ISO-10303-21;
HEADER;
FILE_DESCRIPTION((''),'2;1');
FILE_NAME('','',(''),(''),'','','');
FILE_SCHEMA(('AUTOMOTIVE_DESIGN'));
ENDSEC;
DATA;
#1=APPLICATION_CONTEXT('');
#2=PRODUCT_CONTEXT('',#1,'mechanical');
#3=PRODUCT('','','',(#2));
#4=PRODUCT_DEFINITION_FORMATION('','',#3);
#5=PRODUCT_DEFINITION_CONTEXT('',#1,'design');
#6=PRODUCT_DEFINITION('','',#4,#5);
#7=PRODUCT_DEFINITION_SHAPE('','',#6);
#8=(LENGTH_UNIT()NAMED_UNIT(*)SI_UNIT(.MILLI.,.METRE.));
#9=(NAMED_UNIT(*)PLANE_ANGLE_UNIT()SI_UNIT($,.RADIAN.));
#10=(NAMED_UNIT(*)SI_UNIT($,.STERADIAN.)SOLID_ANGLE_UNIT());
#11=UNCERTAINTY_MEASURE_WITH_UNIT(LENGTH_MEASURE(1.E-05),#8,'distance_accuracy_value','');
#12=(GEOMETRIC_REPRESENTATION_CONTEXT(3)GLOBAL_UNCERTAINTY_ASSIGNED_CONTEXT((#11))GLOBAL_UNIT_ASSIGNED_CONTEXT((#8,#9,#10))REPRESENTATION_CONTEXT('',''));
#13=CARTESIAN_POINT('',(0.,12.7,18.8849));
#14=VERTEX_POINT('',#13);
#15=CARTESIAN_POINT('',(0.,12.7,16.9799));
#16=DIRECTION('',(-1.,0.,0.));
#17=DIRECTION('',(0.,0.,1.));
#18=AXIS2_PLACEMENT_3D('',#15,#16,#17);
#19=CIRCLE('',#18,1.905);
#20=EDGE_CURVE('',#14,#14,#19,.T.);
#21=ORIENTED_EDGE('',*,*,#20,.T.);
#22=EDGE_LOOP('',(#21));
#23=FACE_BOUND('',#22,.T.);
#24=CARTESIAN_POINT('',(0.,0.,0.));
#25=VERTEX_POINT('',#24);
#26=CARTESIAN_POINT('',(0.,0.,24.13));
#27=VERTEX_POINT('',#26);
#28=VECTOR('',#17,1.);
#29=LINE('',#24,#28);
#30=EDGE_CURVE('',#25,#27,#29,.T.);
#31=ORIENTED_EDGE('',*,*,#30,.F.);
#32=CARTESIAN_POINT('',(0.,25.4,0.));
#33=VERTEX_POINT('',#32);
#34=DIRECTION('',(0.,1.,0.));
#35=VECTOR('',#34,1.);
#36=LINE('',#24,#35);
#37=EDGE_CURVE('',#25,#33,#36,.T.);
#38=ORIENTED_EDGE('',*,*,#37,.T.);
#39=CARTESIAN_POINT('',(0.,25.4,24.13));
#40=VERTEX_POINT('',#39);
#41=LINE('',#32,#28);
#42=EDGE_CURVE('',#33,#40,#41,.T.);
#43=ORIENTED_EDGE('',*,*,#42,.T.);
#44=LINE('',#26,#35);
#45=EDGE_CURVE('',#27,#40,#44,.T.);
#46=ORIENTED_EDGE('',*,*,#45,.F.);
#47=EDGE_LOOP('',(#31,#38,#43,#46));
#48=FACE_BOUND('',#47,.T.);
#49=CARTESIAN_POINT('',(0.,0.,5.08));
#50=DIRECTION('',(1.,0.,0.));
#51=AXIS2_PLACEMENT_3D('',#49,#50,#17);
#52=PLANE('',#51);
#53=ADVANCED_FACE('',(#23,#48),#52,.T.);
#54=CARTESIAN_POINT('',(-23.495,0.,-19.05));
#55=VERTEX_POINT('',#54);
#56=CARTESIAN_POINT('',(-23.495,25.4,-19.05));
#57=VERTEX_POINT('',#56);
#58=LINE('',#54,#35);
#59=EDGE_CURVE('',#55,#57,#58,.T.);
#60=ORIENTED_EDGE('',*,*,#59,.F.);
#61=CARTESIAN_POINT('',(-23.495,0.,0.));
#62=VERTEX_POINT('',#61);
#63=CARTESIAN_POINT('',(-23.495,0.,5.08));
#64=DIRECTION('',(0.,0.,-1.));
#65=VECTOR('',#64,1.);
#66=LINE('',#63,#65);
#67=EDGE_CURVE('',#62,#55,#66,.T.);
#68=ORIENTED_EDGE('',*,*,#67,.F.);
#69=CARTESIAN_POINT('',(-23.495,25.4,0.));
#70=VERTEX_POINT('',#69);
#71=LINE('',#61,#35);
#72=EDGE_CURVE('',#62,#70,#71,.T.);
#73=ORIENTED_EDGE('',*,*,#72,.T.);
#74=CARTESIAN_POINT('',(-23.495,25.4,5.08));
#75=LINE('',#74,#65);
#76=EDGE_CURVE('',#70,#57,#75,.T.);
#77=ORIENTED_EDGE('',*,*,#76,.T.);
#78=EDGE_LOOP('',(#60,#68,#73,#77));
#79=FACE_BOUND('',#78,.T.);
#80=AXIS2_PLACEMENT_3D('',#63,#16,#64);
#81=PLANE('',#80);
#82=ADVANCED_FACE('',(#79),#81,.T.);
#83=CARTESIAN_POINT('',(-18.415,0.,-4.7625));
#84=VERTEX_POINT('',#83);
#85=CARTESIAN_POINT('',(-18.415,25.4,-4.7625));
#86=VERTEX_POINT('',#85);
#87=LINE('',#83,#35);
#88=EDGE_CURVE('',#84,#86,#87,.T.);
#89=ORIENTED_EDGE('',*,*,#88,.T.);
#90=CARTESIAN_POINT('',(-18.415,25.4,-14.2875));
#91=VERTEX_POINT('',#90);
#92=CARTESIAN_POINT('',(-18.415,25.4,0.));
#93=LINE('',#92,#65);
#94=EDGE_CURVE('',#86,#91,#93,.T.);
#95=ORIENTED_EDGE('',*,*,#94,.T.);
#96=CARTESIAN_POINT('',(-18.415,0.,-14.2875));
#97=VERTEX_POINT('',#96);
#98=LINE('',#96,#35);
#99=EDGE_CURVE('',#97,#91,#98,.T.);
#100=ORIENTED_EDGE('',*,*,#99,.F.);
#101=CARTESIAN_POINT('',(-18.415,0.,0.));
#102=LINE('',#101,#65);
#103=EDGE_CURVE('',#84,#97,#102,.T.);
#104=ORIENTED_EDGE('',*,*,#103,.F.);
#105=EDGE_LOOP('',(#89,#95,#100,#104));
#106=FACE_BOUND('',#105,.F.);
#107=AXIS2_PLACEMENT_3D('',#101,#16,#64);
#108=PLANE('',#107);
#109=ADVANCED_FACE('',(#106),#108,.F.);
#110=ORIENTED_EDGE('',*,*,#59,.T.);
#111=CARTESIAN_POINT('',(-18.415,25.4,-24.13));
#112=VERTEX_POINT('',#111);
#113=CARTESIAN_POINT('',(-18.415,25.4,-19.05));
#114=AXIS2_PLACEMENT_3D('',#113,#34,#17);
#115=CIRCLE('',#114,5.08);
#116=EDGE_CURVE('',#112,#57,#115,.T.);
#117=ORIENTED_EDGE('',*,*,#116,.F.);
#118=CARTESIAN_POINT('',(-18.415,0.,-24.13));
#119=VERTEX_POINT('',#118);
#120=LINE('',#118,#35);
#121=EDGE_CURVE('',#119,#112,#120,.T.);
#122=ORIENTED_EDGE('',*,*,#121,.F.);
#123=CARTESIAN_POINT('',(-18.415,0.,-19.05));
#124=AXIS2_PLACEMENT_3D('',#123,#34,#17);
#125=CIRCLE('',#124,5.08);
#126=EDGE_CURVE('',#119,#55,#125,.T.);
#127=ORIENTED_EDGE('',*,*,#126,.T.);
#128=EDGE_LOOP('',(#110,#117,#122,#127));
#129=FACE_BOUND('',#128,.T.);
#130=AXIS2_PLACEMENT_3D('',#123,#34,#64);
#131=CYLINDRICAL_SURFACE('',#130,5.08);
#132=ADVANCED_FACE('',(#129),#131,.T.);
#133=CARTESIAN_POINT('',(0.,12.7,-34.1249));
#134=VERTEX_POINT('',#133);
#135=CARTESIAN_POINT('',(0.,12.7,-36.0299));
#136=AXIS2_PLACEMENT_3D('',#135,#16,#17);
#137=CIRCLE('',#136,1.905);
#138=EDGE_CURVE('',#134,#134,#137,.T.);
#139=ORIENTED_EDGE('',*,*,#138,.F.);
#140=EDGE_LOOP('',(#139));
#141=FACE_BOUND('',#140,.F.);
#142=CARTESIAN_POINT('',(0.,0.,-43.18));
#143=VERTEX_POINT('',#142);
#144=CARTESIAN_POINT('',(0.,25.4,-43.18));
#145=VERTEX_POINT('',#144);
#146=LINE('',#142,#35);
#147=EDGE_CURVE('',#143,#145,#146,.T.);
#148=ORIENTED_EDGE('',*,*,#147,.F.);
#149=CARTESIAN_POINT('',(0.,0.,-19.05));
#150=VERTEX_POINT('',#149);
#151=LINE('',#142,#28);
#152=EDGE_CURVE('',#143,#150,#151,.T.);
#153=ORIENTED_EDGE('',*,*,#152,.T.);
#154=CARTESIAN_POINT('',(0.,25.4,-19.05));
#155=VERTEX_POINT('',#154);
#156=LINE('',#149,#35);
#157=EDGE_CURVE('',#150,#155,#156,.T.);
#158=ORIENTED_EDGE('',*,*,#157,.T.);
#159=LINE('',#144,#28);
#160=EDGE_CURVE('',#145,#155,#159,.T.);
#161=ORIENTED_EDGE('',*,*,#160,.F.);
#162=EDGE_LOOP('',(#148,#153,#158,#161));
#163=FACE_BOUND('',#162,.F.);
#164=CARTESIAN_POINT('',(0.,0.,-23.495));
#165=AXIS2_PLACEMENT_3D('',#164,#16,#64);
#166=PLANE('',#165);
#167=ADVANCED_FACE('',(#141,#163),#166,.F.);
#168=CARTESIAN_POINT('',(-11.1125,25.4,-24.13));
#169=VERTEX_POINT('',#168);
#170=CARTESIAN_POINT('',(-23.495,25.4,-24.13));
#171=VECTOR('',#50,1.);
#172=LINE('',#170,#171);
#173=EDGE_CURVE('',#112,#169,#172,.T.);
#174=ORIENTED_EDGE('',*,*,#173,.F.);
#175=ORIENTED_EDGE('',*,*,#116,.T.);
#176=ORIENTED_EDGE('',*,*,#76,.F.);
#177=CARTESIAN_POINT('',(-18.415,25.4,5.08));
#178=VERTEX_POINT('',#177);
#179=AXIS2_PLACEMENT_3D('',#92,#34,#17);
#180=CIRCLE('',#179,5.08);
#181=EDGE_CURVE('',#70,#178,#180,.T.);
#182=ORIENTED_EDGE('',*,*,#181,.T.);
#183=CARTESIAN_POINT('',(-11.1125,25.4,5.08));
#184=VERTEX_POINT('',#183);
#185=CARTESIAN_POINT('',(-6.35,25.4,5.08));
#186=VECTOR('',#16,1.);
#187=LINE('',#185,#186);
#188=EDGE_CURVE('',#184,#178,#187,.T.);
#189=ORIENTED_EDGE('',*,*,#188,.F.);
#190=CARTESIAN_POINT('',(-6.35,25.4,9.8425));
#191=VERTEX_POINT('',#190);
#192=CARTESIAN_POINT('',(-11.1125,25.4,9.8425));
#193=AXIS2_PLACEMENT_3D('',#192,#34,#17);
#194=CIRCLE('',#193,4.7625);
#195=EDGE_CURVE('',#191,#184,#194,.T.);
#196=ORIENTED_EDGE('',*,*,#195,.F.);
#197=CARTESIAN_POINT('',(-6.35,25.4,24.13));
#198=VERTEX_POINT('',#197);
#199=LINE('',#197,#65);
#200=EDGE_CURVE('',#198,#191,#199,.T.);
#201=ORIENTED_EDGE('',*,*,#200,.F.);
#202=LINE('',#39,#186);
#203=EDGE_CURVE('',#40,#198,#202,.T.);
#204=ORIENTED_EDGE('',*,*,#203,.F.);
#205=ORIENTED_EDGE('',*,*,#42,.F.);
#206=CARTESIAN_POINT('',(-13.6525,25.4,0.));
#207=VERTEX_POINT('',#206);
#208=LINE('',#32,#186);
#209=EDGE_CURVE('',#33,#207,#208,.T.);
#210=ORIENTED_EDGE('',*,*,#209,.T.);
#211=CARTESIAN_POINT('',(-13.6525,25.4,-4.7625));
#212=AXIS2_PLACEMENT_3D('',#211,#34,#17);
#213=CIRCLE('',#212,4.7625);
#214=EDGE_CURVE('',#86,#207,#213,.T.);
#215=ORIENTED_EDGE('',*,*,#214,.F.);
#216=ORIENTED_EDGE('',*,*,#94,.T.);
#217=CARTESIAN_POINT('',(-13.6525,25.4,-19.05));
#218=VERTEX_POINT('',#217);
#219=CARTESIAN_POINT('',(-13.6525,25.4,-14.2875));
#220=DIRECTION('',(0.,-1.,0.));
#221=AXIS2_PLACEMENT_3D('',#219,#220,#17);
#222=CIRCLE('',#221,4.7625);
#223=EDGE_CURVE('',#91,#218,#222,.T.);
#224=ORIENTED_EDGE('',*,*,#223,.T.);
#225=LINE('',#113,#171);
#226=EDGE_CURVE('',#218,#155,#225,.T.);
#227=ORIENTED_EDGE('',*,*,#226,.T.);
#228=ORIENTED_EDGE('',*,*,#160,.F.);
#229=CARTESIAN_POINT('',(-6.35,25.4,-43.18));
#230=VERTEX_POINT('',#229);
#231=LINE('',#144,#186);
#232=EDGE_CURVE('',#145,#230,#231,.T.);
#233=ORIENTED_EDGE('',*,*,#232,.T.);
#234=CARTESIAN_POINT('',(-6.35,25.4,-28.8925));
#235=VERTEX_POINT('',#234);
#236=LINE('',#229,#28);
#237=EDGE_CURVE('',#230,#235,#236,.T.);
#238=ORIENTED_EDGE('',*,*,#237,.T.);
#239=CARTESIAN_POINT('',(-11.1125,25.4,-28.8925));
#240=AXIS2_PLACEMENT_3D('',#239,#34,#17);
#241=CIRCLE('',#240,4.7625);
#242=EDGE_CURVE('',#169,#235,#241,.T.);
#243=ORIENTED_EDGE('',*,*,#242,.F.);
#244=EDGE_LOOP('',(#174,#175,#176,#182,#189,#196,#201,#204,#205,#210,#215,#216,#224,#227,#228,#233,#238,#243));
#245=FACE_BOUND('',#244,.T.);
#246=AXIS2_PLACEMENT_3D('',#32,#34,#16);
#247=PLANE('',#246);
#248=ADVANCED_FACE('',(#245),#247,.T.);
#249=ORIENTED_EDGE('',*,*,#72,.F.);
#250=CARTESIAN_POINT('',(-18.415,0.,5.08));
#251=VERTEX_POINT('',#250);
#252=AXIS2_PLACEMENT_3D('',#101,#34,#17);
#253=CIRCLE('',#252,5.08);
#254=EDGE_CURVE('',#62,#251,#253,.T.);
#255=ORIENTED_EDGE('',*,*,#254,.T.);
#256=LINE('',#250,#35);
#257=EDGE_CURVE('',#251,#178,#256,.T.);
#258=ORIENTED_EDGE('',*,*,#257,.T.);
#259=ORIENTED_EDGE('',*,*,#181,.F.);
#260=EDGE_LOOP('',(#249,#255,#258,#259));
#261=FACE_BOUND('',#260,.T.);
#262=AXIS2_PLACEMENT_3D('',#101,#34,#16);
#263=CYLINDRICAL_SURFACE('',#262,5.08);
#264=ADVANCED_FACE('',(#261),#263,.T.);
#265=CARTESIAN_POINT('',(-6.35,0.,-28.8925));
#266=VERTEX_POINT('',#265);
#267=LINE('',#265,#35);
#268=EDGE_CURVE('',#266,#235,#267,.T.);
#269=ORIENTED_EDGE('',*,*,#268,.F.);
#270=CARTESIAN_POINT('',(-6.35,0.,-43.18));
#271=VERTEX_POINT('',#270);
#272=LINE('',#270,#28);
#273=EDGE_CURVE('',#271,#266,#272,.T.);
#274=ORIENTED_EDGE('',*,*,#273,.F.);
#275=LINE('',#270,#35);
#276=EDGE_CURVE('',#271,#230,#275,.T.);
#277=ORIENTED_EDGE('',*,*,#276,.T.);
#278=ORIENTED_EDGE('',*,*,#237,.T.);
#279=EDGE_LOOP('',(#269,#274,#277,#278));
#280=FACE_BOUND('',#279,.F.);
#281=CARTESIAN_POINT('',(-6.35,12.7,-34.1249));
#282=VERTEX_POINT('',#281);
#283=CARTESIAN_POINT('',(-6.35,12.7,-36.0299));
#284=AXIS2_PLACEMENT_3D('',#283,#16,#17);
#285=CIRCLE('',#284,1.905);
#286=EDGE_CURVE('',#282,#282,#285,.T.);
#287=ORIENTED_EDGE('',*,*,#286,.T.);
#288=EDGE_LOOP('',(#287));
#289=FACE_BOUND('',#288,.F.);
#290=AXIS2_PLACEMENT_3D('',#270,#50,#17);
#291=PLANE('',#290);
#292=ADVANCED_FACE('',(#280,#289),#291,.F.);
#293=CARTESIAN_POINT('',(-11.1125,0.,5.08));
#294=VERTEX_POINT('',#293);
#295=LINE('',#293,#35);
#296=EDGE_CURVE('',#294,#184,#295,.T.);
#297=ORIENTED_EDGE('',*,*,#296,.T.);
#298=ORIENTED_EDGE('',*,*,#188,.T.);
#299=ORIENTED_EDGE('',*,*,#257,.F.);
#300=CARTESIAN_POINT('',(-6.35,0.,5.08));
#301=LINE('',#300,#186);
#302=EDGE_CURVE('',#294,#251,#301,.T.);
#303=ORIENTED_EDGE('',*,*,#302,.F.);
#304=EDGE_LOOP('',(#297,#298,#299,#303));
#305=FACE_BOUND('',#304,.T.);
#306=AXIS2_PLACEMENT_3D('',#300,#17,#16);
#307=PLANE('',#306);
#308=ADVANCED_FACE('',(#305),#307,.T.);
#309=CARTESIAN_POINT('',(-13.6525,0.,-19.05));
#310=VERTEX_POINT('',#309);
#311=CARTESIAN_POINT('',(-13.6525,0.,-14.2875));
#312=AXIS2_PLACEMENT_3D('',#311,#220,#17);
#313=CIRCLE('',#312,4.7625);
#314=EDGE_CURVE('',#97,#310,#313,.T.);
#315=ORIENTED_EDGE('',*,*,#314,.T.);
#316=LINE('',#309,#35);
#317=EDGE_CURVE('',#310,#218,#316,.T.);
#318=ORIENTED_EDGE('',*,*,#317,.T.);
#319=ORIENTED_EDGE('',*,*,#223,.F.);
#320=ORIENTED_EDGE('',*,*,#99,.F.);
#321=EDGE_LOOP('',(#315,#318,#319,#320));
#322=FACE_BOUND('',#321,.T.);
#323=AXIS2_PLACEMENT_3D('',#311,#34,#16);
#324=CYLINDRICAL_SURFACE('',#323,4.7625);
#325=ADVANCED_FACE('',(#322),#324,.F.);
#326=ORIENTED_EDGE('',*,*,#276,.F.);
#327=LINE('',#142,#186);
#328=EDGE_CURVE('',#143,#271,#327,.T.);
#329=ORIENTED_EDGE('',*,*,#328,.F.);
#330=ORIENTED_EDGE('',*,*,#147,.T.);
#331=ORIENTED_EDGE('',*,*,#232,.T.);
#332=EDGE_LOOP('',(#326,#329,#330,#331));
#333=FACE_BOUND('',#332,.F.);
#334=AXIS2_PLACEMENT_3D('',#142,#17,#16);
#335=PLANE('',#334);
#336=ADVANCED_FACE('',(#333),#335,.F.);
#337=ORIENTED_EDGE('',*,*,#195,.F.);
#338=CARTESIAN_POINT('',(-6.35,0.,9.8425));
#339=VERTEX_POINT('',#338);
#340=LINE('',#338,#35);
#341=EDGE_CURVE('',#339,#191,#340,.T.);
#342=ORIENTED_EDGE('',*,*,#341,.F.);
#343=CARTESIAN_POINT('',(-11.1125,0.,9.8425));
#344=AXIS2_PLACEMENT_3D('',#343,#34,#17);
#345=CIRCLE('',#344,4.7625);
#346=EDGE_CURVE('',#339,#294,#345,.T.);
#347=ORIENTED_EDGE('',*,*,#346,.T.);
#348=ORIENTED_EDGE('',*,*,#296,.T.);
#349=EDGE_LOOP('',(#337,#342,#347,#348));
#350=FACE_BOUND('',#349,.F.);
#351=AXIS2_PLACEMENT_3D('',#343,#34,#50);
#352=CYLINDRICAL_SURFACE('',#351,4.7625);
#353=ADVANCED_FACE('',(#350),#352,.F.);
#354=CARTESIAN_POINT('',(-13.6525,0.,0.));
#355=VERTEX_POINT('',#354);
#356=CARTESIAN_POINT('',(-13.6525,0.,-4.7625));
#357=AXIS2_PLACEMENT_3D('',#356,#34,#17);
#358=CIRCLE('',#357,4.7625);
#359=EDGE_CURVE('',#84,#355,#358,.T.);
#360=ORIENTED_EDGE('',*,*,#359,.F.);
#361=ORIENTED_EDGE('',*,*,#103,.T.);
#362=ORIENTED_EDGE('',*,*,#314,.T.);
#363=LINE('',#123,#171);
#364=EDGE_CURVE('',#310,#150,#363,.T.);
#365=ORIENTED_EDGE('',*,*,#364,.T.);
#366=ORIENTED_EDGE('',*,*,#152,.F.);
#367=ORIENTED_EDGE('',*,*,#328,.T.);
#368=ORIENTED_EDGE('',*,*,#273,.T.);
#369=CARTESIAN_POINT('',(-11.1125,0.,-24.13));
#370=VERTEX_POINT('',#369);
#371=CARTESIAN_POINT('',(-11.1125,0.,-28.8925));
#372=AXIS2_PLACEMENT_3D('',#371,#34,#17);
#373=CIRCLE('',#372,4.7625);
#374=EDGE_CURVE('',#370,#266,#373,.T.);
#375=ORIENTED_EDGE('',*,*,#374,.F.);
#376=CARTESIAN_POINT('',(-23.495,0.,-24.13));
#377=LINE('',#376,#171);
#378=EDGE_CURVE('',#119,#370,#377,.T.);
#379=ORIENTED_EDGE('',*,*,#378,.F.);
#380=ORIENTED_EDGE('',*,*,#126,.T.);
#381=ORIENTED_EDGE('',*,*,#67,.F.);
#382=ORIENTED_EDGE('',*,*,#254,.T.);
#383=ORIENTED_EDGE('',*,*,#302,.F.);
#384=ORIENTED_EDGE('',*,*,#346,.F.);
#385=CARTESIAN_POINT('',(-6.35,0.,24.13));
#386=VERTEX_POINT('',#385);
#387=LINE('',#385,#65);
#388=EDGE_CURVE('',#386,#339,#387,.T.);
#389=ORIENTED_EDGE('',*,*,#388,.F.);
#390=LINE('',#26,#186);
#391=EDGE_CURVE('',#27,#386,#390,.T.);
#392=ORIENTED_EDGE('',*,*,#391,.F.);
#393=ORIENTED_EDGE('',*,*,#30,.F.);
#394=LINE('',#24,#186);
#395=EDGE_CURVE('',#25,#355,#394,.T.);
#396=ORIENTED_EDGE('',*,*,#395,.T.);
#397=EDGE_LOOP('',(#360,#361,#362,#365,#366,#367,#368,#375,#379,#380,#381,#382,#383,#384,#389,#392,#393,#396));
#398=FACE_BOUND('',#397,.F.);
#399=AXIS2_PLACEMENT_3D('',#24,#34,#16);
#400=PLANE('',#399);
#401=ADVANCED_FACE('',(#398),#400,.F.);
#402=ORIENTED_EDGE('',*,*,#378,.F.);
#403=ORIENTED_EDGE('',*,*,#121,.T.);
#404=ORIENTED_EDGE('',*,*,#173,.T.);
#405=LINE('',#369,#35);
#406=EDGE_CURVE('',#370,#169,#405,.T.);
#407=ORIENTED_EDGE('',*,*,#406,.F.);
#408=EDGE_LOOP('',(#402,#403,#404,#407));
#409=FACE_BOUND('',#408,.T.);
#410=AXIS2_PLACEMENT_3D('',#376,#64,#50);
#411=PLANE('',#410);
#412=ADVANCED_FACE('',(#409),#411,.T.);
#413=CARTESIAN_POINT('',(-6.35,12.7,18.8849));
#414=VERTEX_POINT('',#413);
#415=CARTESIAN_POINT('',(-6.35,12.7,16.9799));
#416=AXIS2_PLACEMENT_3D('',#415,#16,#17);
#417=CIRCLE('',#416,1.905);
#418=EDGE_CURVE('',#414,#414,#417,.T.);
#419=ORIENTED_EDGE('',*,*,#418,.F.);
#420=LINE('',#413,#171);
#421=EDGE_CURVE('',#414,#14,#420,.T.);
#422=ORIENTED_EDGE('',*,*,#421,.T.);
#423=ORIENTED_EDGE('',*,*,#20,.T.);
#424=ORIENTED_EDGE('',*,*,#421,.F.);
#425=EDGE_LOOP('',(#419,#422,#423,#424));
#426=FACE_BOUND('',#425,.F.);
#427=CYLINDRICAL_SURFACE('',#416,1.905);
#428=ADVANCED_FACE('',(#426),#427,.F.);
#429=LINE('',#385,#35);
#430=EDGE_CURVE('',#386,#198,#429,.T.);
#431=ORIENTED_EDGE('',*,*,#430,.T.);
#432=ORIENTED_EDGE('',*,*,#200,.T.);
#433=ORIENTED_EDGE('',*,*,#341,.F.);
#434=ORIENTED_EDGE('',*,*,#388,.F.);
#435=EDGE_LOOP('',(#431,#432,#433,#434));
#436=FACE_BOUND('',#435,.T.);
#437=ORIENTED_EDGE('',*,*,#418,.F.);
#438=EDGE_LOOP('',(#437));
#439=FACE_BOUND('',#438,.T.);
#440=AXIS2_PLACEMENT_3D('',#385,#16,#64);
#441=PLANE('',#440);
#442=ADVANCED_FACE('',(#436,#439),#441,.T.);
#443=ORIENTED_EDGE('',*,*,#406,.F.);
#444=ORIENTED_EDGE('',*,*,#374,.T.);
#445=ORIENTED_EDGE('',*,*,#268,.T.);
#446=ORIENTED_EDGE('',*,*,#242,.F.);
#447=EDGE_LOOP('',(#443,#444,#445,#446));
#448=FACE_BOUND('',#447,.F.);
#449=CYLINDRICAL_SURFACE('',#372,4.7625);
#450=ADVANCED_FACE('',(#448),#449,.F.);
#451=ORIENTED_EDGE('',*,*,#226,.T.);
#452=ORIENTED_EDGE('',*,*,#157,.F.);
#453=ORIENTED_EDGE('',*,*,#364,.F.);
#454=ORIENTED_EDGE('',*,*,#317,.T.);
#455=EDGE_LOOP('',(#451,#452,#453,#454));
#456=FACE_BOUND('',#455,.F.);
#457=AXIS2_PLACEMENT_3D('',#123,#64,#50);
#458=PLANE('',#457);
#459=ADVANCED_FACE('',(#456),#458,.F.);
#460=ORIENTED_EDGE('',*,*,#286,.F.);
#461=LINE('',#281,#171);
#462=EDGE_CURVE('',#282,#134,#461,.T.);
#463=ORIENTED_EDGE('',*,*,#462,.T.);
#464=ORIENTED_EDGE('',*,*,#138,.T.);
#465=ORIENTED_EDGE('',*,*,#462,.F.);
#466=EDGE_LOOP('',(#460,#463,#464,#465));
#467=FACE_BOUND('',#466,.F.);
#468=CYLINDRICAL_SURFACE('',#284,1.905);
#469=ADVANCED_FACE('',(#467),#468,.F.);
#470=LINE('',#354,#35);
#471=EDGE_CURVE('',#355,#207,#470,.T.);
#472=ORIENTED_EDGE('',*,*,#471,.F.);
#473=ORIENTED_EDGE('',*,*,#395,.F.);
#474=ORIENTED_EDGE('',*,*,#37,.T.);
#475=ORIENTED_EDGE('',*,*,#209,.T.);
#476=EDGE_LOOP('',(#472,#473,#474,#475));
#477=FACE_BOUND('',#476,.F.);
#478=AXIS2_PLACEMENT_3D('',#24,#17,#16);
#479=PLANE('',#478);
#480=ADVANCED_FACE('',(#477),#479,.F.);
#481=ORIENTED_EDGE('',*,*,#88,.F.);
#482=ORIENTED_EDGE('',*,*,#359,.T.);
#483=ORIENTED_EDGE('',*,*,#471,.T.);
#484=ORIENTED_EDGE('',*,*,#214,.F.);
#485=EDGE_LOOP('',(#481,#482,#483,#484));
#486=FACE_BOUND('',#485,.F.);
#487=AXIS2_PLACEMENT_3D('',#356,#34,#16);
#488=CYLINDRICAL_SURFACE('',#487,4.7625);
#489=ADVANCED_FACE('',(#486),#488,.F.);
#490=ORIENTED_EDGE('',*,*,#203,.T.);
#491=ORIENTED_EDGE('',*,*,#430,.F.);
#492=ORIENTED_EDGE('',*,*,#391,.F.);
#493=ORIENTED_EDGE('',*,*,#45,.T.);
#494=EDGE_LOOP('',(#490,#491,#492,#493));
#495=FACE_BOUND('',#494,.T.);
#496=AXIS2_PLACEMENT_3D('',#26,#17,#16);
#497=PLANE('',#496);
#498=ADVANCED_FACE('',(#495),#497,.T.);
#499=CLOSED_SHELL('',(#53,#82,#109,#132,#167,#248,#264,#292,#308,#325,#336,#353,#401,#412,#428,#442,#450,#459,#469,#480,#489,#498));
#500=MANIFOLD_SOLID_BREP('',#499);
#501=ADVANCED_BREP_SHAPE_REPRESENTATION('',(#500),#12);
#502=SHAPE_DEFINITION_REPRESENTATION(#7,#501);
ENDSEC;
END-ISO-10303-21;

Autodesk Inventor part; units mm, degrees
ref_plane "YZ Plane" through (0, 0, 0) normal (1, 0, 0) x (0, 1, 0)
ref_plane "XZ Plane" through (0, 0, 0) normal (0, 1, 0) x (-1, 0, 0)
ref_plane "XY Plane" through (0, 0, 0) normal (0, 0, 1) x (1, 0, 0)
sketch "Sketch1" plane through (0, 0, 0) normal (0, 1, 0) x (-1, 0, 0)
  line L0 (0, 0) -> (18.415, 0)
  line L1 (18.415, 0) -> (18.415, -19.05)
  line L2 (18.415, -19.05) -> (0, -19.05)
  line L3 (0, 0) -> (0, 5.08)
  line L4 (6.35, 5.08) -> (23.495, 5.08)
  line L5 (23.495, 5.08) -> (23.495, -24.13)
  line L6 (23.495, -24.13) -> (6.35, -24.13)
  line L7 (0, -23.495) -> (0, -19.05)
  line L8 (0, 5.08) -> (0, 24.13)
  line L9 (0, 24.13) -> (6.35, 24.13)
  line L10 (6.35, 24.13) -> (6.35, 5.08)
  line L11 (0, -23.495) -> (0, -43.18)
  line L12 (0, -43.18) -> (6.35, -43.18)
  line L13 (6.35, -43.18) -> (6.35, -24.13)
  dimension "d2" = 18.415
  dimension "d3" = 19.05
  dimension "d4" = 18.415
  dimension "d5" = 5.08
  dimension "d6" = 5.08
  dimension "d7" = 5.08
  dimension "d8" = 6.35
  dimension "d9" = 6.35
  dimension "d10" = 24.13
  dimension "d11" = 24.13
extrude "Extrusion1" add sketch "Sketch1" along normal blind 25.4
fillet "Fillet1" radius 4.7625 1 edges at (-18.415, 12.7, 0)
fillet "Fillet2" radius 4.7625 1 edges at (-18.415, 12.7, -19.05)
fillet "Fillet3" radius 4.7625 1 edges at (-6.35, 12.7, 5.08)
fillet "Fillet4" radius 4.7625 1 edges at (-6.35, 12.7, -24.13)
fillet "Fillet5" radius 5.08 2 edges at (-23.495, 12.7, 5.08) (-23.495, 12.7, -24.13)
sketch "Sketch3" plane through (-6.35, 0, 24.13) normal (-1, 0, 0) x (0, 0, 1)
  circle A0 centre (-7.1501, 12.7) radius 1.905
  line L0 (-14.2875, 0) -> (0, 0) projected
  line L1 (0, 0) -> (0, 25.4) projected
  point P0 (-24.13, 0)
  dimension "d31" = 3.81
  dimension "d32" = 12.7
  dimension "d33" = 7.1501
extrude "Extrusion2" cut sketch "Sketch3" against normal up to surface (6.35 mm away)
sketch "Sketch4" plane through (-6.35, 0, -43.18) normal (-1, 0, 0) x (0, 0, 1)
  circle A0 centre (7.1501, 12.7) radius 1.905
  line L0 (0, 0) -> (14.2875, 0) projected
  line L1 (0, 0) -> (0, 25.4) projected
  point P0 (43.18, 0)
  dimension "d36" = 3.81
  dimension "d37" = 12.7
  dimension "d38" = 7.1501
extrude "Extrusion3" cut sketch "Sketch4" against normal up to surface (6.35 mm away)
properties part number "TubeHolderV1"
